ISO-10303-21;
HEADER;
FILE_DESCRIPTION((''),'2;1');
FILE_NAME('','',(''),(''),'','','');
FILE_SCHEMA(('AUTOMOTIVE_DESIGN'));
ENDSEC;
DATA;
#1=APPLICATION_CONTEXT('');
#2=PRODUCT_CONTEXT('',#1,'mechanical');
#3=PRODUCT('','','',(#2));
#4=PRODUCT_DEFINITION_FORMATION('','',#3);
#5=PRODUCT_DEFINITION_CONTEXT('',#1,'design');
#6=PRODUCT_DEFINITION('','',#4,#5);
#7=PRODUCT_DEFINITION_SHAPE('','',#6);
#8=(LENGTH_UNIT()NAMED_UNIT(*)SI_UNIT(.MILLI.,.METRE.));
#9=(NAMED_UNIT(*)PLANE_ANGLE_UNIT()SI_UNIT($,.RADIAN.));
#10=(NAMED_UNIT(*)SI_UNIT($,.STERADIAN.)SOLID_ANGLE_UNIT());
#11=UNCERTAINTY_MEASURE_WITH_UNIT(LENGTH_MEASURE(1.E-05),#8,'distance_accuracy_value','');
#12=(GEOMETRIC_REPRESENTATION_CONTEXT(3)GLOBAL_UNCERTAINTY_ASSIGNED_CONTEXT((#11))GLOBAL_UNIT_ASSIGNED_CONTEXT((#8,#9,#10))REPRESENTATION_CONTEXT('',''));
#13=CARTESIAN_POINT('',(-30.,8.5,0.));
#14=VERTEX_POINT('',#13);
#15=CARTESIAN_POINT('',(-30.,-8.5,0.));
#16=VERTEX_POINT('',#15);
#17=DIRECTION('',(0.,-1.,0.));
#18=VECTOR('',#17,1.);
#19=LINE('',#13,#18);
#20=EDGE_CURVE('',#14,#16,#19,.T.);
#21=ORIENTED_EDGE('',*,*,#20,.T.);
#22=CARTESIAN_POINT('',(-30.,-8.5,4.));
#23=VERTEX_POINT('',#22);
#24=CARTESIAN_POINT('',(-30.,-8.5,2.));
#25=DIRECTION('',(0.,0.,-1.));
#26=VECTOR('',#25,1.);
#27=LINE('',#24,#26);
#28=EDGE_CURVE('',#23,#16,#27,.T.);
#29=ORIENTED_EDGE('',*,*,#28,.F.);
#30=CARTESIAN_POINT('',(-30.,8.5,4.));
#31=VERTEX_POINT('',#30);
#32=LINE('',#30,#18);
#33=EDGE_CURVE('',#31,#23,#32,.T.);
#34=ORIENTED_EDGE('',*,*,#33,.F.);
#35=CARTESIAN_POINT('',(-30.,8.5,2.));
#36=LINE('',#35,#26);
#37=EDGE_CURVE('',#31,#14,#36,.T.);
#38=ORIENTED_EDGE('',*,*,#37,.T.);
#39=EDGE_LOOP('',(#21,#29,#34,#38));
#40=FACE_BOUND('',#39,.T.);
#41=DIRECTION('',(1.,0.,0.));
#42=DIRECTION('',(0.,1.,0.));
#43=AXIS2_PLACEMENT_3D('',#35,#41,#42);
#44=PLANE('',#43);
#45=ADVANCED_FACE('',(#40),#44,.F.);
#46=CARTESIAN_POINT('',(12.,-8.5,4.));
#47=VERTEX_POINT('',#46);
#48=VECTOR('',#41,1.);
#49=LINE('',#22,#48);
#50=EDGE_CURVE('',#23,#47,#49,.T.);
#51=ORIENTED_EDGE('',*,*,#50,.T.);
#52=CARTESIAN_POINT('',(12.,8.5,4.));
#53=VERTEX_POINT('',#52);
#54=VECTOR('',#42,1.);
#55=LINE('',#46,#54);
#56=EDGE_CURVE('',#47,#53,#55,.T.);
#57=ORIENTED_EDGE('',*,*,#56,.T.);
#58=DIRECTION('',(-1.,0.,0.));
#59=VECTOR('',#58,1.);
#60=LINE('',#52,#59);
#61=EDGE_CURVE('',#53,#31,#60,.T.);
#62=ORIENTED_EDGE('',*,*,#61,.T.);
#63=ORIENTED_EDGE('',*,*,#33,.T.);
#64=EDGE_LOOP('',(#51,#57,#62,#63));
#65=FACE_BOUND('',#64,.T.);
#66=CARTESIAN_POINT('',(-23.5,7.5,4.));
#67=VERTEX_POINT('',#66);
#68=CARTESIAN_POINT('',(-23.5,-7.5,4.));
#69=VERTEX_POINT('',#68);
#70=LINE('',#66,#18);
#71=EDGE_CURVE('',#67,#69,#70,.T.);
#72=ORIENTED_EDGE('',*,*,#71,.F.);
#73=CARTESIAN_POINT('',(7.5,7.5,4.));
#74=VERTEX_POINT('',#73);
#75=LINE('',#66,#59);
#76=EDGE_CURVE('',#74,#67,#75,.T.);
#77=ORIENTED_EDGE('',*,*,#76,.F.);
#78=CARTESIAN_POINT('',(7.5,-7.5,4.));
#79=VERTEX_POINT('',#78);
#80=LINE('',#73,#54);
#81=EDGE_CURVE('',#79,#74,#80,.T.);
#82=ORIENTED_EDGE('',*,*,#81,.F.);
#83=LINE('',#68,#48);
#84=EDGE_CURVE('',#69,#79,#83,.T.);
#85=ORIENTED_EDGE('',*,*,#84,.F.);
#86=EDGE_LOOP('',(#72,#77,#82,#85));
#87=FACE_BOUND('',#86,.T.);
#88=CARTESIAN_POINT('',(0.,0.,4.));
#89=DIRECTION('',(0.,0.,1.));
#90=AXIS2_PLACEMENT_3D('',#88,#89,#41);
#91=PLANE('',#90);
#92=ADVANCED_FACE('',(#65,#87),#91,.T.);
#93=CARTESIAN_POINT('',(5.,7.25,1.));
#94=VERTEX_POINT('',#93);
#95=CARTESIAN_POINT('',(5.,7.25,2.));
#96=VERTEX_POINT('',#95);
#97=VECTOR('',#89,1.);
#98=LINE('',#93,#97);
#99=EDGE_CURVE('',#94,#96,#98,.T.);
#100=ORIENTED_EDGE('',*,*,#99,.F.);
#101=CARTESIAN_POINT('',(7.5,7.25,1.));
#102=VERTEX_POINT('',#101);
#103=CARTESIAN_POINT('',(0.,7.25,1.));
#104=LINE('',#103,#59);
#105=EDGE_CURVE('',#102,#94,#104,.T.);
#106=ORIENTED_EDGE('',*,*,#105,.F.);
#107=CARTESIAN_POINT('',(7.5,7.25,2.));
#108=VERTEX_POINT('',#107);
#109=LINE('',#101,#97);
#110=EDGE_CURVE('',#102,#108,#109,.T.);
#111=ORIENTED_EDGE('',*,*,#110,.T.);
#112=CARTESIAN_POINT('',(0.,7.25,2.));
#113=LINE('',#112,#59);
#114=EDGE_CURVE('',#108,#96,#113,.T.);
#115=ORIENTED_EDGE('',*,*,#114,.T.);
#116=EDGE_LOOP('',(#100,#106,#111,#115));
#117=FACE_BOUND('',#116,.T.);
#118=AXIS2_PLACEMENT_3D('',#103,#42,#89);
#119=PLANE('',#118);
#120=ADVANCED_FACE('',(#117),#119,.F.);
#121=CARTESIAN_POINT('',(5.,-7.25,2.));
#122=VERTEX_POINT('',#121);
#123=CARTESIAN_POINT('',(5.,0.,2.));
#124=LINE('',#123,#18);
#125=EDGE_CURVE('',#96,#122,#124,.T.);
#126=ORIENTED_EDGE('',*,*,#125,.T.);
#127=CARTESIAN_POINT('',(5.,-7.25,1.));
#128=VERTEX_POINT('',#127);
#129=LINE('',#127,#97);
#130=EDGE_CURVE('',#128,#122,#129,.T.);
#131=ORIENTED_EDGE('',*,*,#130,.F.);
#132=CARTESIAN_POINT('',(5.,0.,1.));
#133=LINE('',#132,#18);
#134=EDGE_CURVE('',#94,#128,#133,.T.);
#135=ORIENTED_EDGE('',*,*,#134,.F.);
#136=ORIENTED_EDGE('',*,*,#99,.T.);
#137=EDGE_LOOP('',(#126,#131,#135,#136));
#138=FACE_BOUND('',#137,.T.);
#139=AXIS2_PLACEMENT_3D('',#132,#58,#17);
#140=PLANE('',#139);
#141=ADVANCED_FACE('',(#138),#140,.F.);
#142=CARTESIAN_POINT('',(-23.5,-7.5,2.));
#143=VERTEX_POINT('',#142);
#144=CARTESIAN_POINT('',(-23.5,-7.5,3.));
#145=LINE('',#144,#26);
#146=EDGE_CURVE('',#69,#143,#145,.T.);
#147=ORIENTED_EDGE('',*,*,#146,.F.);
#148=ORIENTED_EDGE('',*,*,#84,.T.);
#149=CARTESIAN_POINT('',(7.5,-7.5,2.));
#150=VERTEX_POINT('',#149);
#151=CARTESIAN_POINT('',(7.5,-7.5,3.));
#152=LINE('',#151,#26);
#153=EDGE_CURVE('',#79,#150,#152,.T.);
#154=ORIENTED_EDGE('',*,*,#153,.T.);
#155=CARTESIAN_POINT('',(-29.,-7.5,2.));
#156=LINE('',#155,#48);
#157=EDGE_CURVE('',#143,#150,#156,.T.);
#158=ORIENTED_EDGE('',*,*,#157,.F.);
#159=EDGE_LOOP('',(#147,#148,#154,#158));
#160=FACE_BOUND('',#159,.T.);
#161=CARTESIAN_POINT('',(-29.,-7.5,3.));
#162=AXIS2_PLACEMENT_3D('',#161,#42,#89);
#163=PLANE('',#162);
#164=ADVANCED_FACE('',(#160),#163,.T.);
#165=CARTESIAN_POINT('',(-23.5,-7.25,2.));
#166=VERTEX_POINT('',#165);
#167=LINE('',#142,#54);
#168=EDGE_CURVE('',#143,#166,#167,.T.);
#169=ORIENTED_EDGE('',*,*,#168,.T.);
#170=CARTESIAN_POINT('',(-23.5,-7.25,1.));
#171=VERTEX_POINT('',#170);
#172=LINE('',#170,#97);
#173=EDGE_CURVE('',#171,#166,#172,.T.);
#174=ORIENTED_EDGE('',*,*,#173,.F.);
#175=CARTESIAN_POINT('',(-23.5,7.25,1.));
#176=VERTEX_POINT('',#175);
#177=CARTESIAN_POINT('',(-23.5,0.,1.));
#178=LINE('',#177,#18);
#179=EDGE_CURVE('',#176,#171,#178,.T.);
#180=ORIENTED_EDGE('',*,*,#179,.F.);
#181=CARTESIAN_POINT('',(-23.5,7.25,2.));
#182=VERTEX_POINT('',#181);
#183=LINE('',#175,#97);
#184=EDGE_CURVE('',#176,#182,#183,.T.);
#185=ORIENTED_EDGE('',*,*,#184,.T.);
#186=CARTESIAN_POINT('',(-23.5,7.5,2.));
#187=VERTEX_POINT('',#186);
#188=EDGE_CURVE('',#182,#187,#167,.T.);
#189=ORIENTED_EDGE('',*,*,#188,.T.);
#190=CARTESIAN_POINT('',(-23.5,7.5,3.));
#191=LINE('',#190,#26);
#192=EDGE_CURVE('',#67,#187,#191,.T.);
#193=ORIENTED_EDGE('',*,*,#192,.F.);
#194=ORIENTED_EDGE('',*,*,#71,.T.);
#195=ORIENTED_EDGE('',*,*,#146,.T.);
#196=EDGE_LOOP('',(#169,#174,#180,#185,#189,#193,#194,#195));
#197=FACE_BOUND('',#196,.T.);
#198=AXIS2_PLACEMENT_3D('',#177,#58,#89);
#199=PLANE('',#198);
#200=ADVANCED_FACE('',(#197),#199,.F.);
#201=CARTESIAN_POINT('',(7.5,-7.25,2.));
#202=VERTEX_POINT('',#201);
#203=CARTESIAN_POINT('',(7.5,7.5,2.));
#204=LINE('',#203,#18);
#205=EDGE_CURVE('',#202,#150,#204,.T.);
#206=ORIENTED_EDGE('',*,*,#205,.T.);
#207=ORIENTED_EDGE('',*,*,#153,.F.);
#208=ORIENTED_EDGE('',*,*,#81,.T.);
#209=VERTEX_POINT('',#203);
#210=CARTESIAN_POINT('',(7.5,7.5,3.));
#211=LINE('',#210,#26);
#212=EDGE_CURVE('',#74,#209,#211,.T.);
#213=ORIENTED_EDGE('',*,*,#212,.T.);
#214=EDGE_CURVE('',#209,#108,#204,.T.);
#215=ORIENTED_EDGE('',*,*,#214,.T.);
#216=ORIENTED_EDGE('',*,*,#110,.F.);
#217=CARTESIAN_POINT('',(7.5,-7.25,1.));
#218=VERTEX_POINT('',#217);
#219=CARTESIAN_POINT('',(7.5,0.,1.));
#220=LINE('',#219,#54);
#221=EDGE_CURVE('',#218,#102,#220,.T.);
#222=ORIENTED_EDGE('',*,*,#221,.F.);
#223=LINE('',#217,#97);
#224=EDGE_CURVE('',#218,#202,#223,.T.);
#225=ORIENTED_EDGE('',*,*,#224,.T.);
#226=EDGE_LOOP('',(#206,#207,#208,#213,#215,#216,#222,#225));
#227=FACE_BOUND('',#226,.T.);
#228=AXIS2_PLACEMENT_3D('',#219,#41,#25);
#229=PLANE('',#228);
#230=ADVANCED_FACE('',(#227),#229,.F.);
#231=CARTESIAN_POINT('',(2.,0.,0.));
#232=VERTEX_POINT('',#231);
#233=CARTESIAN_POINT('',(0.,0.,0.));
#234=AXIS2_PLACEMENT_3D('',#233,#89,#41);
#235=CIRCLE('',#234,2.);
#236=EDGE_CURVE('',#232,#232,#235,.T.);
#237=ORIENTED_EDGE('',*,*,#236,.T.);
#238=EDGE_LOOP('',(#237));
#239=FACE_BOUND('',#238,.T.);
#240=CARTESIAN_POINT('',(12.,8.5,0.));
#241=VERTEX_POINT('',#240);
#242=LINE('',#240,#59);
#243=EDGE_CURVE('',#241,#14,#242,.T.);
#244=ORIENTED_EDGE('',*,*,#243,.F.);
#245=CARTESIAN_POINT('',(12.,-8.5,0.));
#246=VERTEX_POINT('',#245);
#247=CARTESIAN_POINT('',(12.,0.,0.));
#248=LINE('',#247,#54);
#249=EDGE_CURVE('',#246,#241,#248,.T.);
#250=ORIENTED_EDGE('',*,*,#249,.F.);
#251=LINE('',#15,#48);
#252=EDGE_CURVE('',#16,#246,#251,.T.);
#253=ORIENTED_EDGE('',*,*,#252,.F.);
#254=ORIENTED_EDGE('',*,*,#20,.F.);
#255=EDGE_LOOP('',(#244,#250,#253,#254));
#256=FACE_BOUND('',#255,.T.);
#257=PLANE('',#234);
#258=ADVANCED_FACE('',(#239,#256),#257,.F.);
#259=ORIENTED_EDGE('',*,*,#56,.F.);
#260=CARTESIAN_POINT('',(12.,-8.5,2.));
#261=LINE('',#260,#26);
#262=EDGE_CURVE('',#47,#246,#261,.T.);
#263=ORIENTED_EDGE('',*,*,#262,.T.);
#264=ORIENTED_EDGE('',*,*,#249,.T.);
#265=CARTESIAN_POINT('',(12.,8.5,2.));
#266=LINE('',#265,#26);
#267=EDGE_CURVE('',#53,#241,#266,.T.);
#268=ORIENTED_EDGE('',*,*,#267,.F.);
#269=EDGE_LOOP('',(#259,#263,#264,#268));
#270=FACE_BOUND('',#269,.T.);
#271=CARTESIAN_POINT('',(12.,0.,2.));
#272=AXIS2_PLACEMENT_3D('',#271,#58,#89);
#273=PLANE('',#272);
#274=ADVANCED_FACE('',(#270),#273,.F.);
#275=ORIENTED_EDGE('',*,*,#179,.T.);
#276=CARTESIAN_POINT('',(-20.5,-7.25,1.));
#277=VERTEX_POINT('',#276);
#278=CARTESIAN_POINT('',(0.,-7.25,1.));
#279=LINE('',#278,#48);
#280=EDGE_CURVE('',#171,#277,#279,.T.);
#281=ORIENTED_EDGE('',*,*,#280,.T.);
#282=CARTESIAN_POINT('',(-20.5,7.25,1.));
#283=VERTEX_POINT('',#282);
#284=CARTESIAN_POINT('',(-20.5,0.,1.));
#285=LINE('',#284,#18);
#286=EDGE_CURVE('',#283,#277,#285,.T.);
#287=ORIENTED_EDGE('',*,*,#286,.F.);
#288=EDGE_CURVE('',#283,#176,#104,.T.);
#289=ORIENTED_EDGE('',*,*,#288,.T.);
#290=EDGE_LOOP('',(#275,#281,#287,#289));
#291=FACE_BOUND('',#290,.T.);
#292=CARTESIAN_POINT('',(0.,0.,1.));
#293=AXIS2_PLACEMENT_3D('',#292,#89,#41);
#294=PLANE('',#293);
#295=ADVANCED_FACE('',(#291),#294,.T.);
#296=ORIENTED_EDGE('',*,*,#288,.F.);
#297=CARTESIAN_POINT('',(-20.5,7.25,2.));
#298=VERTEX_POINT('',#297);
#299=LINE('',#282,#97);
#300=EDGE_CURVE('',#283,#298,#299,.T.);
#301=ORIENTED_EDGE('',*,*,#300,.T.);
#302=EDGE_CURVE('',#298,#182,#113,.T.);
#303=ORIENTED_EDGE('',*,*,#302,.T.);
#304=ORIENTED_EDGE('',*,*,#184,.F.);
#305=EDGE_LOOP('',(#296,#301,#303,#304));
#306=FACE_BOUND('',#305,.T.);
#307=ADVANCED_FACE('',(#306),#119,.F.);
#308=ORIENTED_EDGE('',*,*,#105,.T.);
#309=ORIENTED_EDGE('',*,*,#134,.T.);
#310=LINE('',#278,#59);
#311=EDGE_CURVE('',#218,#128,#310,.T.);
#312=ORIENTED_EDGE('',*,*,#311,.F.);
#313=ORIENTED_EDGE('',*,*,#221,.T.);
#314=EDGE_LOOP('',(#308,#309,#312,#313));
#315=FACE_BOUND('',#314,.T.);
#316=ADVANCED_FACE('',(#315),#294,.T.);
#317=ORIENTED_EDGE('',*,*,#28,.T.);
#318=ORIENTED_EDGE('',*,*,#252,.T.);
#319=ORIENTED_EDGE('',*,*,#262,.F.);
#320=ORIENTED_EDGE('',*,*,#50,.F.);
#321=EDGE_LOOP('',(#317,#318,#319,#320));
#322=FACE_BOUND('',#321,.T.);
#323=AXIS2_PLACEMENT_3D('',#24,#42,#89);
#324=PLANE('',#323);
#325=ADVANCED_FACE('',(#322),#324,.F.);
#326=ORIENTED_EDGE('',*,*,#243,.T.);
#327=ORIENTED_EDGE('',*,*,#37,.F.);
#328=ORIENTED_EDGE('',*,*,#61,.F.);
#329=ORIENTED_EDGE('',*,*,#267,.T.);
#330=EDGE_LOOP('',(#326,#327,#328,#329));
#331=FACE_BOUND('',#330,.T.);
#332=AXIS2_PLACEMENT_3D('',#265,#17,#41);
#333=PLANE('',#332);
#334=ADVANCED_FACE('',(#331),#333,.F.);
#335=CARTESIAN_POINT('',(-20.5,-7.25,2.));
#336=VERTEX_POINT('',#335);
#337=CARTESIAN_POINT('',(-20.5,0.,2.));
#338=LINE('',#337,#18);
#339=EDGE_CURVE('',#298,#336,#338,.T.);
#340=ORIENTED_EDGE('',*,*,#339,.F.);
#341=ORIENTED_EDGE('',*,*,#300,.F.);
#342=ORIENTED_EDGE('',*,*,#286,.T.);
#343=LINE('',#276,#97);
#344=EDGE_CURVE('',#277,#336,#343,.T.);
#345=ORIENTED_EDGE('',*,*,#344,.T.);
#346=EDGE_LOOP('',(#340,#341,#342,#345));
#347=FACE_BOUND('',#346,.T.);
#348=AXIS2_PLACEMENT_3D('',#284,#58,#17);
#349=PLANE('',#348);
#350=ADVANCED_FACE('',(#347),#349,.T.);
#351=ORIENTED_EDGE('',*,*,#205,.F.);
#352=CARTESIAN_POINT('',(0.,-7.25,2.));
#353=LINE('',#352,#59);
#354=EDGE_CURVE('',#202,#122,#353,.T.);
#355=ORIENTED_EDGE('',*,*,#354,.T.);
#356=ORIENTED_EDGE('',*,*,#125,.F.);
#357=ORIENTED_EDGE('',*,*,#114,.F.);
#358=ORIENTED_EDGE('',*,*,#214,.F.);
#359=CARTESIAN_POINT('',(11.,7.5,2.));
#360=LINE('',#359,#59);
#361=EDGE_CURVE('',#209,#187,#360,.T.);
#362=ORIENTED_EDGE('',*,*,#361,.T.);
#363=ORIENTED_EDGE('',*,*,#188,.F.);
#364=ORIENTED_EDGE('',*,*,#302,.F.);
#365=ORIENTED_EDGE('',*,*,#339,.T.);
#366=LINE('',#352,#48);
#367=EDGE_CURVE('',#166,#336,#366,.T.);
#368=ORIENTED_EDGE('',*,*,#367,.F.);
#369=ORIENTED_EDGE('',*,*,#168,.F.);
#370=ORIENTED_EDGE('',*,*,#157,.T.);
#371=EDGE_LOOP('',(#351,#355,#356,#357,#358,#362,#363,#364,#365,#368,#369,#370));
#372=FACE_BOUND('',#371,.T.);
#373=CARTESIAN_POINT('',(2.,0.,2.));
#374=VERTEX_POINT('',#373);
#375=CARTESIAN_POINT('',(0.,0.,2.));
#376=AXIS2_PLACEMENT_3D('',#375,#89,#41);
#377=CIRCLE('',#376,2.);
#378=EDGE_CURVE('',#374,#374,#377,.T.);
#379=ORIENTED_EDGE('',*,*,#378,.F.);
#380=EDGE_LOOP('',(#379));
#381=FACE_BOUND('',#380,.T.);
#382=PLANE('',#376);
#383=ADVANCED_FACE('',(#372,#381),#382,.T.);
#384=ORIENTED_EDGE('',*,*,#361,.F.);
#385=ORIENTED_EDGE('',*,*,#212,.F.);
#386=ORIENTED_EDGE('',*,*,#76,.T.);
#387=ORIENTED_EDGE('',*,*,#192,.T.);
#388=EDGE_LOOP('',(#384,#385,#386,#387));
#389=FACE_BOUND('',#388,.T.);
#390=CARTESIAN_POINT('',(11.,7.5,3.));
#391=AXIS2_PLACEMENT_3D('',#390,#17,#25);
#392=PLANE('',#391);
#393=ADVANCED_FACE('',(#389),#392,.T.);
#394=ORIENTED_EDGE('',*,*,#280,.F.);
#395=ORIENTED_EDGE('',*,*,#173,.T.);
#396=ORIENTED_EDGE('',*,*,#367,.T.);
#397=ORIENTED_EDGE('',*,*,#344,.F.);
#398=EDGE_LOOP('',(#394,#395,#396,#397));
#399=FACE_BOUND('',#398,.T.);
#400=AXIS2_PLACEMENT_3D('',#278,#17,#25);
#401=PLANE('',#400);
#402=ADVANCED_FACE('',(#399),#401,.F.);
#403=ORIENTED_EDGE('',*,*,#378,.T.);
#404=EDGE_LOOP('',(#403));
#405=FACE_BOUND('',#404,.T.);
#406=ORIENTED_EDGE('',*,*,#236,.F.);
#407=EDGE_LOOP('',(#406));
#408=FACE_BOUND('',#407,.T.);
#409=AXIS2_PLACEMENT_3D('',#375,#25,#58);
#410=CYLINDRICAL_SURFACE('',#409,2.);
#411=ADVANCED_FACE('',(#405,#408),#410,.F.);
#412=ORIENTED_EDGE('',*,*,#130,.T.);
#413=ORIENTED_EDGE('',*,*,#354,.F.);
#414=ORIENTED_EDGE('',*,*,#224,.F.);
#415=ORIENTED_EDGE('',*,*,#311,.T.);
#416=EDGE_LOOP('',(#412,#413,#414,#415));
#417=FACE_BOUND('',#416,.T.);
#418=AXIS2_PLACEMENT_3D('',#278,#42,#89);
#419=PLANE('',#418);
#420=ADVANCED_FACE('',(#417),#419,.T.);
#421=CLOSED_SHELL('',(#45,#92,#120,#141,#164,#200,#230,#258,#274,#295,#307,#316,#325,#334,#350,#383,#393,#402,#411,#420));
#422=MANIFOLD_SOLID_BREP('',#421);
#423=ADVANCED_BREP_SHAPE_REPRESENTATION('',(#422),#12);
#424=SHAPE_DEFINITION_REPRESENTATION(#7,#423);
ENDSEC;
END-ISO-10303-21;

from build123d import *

# Parameters (mm, degrees)
SKETCH_1_R          = 2
EXTRUDE_1_DEPTH     = 2
SKETCH_3_W          = 3
SKETCH_3_H          = 14.5
CUT_EXTRUDE_1_DEPTH = 1
SKETCH_4_W          = 42
SKETCH_4_H          = 17
SKETCH_4_W_2        = 40
SKETCH_4_H_2        = 15
EXTRUDE_2_DEPTH     = 1
SKETCH_6_W          = 5.5
SKETCH_6_H          = 15
SKETCH_6_W_2        = 3.5
EXTRUDE_4_DEPTH     = 1
SKETCH_7_W          = 42
SKETCH_7_H          = 17
SKETCH_7_W_2        = 31
SKETCH_7_H_2        = 15
EXTRUDE_5_DEPTH     = 1


with BuildPart() as part:
    # 草图1 → 凸台-拉伸1 (new body)
    with BuildSketch(Plane.XY):
        Polygon((-30, 8.5), (-30, -8.5), (12, -8.5), (12, 0), (12, 8.5), align=None)
        Circle(SKETCH_1_R, mode=Mode.SUBTRACT)
    extrude(amount=EXTRUDE_1_DEPTH)

    # 草图3 → 切除-拉伸1 (cut)
    with BuildSketch(Plane.XY.offset(2)):
        with Locations((-22, 0)):
            Rectangle(SKETCH_3_W, SKETCH_3_H)
        Polygon((7.5, 7.25), (5, 7.25), (5, -7.25), (7.5, -7.25), (7.5, 0), align=None)
    extrude(amount=-CUT_EXTRUDE_1_DEPTH, mode=Mode.SUBTRACT)

    # 草图4 → 凸台-拉伸2 (add)
    with BuildSketch(Plane.XY.offset(2)):
        with Locations((-9, 0)):
            Rectangle(SKETCH_4_W, SKETCH_4_H)
        with Locations((-9, 0)):
            Rectangle(SKETCH_4_W_2, SKETCH_4_H_2, mode=Mode.SUBTRACT)
    extrude(amount=EXTRUDE_2_DEPTH)

    # 草图6 → 凸台-拉伸4 (add)
    with BuildSketch(Plane.XY.offset(2)):
        with Locations((-26.25, 0)):
            Rectangle(SKETCH_6_W, SKETCH_6_H)
        with Locations((9.25, 0)):
            Rectangle(SKETCH_6_W_2, SKETCH_6_H)
    extrude(amount=EXTRUDE_4_DEPTH)

    # 草图7 → 凸台-拉伸5 (add)
    with BuildSketch(Plane.XY.offset(3)):
        with Locations((-9, 0)):
            Rectangle(SKETCH_7_W, SKETCH_7_H)
        with Locations((-8, 0)):
            Rectangle(SKETCH_7_W_2, SKETCH_7_H_2, mode=Mode.SUBTRACT)
    extrude(amount=EXTRUDE_5_DEPTH)


solid = part.part
